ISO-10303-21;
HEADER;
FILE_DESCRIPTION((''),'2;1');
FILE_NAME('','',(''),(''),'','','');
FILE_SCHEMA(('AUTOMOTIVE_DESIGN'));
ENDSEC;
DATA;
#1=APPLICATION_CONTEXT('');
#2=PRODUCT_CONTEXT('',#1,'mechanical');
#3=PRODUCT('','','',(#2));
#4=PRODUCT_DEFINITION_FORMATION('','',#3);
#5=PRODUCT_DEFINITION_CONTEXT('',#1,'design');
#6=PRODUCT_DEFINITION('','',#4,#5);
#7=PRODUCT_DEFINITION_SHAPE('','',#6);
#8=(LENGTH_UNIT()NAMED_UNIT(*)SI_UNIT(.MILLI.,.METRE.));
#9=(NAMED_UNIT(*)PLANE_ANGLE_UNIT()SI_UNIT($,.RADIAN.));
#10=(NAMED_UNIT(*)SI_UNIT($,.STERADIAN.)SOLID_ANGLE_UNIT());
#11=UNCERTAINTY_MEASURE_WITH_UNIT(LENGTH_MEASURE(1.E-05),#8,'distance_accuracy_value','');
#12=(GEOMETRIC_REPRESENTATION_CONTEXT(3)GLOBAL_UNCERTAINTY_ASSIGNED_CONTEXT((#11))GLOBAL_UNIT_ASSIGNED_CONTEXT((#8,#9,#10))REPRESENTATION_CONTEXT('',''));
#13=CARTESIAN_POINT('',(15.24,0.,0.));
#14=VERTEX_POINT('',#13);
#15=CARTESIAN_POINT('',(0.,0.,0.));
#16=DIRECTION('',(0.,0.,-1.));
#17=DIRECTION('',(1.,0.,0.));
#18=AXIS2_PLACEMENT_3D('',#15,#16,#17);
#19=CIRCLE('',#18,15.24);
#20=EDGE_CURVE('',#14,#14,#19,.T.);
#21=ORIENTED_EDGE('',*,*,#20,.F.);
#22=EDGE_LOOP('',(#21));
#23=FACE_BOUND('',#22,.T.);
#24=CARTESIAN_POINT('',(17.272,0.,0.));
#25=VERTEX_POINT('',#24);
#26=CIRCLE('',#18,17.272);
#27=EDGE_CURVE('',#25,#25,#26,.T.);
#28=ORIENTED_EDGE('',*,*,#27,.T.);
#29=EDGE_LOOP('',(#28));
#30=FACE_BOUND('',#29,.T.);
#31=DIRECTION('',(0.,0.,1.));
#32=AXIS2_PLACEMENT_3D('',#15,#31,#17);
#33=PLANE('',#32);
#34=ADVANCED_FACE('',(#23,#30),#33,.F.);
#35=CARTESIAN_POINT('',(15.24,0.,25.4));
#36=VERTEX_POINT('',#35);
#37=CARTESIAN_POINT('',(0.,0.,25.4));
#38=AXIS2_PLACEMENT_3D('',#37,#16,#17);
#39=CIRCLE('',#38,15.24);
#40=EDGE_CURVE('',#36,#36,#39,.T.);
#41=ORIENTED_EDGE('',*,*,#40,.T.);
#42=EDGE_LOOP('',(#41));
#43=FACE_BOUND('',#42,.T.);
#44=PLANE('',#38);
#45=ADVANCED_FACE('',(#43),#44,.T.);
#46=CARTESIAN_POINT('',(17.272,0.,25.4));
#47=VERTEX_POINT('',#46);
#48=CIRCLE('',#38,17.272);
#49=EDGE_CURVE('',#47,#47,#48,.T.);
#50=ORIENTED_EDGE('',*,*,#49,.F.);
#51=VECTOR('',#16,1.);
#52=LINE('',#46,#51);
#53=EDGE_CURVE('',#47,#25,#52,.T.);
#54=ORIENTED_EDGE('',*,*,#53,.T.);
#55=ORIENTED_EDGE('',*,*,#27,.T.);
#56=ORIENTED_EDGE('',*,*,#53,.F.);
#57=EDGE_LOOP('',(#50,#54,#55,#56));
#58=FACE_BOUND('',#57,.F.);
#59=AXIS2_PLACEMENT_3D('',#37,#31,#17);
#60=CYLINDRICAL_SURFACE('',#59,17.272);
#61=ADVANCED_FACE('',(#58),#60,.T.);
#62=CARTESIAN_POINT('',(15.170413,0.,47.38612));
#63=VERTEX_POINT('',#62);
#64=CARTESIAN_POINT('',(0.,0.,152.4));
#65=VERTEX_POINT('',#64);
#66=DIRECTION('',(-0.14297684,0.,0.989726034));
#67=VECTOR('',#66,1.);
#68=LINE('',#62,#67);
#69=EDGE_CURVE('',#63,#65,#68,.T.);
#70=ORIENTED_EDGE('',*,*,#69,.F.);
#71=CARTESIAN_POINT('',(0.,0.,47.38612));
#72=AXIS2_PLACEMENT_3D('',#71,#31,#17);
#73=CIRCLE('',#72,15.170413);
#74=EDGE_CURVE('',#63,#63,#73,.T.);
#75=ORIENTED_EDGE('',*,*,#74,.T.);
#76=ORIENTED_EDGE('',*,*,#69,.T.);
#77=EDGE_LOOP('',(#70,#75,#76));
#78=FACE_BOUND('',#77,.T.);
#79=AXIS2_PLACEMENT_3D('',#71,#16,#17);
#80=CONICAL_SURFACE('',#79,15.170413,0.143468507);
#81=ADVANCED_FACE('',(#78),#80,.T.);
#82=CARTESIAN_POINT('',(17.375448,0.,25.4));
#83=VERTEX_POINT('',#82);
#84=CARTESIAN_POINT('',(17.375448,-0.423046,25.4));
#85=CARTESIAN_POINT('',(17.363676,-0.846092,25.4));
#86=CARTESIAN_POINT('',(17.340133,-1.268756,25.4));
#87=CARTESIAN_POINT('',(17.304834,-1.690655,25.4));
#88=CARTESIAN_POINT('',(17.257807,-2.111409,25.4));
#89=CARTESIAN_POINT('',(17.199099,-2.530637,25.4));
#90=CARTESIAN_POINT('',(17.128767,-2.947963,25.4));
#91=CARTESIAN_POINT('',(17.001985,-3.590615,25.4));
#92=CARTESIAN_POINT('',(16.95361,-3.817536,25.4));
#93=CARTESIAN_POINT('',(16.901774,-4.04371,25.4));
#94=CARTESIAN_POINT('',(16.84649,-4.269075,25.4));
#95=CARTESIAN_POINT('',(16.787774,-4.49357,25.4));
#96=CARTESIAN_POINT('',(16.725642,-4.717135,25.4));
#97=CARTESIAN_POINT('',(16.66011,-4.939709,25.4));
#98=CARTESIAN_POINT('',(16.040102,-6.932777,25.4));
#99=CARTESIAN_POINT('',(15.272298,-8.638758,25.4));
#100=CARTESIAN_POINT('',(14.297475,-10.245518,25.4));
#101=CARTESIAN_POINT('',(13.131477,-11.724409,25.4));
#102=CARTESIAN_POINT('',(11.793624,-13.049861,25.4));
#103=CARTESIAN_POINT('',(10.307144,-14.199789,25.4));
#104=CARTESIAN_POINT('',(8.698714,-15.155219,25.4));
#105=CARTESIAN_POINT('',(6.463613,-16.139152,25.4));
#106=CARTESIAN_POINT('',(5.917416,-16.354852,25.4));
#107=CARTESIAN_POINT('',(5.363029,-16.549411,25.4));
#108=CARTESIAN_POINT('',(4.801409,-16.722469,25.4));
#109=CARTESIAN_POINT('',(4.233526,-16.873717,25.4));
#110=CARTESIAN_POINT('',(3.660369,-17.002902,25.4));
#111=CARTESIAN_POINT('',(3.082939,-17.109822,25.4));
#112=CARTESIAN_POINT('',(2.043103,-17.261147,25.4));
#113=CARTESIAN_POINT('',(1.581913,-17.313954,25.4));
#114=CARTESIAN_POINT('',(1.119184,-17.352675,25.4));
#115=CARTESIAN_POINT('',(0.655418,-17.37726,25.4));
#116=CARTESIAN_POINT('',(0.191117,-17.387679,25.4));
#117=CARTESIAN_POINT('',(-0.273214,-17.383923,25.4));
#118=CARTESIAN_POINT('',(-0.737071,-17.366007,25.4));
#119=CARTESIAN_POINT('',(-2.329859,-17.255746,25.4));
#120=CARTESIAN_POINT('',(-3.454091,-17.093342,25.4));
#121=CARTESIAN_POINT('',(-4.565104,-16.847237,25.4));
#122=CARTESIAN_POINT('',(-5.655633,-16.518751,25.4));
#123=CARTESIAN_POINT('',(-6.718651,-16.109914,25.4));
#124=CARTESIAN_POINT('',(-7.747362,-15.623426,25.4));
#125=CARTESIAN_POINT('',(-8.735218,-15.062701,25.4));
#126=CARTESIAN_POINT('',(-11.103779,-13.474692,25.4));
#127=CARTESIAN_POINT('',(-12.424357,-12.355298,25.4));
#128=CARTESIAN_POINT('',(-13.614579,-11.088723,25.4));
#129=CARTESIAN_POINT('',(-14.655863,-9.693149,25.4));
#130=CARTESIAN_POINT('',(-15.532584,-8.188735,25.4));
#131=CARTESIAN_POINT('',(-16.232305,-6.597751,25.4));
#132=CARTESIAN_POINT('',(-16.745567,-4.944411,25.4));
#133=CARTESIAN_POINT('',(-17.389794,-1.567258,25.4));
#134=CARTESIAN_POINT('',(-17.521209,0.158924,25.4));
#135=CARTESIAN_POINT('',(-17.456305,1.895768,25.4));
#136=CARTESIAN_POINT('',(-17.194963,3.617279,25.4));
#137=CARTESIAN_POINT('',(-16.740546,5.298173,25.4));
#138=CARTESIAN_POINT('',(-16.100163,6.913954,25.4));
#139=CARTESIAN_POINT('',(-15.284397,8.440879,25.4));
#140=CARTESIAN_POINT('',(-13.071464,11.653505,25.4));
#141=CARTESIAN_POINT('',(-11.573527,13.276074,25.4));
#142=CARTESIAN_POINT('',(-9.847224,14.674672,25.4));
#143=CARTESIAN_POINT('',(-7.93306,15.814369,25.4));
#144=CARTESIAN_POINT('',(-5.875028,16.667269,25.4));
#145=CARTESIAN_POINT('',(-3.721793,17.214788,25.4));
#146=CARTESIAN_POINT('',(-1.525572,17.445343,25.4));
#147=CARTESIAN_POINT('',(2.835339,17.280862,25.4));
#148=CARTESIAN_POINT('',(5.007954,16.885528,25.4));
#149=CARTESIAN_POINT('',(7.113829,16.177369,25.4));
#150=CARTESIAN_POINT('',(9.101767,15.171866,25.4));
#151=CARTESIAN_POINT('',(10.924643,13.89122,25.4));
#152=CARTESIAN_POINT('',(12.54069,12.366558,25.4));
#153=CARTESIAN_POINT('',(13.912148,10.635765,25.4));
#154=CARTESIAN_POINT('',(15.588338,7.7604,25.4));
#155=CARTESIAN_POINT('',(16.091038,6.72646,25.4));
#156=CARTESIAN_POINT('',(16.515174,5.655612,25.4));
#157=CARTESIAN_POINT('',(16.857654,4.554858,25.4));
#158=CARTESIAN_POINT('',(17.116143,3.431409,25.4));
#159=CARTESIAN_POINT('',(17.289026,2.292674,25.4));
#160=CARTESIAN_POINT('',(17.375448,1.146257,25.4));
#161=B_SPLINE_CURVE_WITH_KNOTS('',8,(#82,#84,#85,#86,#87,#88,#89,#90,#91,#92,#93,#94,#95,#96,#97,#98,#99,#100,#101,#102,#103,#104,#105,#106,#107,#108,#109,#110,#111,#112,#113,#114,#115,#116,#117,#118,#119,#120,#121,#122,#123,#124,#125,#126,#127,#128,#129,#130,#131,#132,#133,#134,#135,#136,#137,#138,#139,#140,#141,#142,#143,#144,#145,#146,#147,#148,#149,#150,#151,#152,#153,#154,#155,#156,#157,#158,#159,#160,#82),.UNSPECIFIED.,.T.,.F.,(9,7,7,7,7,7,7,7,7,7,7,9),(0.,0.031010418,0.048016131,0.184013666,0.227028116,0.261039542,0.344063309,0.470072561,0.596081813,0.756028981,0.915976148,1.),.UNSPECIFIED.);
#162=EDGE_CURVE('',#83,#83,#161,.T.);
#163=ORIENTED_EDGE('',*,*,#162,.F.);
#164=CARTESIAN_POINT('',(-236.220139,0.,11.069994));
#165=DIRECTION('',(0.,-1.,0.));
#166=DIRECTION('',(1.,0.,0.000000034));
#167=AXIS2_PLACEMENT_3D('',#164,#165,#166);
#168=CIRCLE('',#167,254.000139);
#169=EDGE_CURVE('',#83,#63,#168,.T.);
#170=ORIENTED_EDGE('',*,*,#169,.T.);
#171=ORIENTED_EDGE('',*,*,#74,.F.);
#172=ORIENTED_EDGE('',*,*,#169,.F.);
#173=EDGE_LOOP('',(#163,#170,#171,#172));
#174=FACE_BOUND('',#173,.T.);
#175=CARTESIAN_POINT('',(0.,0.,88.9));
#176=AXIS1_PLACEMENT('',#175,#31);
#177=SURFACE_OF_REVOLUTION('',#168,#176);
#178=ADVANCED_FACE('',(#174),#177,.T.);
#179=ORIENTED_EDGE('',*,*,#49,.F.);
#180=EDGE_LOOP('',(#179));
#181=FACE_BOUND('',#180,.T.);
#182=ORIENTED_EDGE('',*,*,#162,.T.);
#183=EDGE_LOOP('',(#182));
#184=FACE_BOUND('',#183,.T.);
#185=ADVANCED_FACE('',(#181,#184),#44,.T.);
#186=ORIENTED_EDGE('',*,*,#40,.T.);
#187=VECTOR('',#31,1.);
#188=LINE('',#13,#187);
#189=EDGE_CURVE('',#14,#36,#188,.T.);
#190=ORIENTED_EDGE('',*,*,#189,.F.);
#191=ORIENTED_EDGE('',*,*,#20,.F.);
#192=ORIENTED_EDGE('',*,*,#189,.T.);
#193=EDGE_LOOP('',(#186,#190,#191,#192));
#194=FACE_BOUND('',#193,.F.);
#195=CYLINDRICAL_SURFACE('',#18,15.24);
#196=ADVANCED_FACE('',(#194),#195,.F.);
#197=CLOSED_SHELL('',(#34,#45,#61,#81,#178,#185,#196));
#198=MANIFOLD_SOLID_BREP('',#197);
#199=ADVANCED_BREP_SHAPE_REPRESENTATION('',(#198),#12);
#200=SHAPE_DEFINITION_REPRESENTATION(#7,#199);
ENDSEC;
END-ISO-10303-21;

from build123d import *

# Parameters (mm, degrees)
F2_R     = 15.24
F3_DEPTH = 25.4
F4_R     = 17.78
F4_R_2   = 17.272
F5_DEPTH = 25.4


with BuildPart() as f1:
    # F0 (on Front) → F1 (revolve)
    with BuildSketch(Plane.XZ):
        with BuildLine():
            Line((0, 0), (17.78, 0))
            Line((17.78, 0), (17.78, 11.070003))
            ThreePointArc((17.78, 11.070003), (17.126763, 29.27488), (15.170413, 47.38612))
            Line((15.170413, 47.38612), (0, 152.4))
            Line((0, 152.4), (0, 0))
        make_face()
    revolve(axis=Axis((0, 0, 88.9), (0, 0, 1)))

    # F2 (on face) → F3 (cut)
    with BuildSketch(Plane(origin=(0, 0, 0), x_dir=(1, 0, 0), z_dir=(0, 0, -1))):
        Circle(F2_R)
    extrude(amount=-F3_DEPTH, mode=Mode.SUBTRACT)

    # F4 (on face) → F5 (cut)
    with BuildSketch(Plane(origin=(0, 0, 25.4), x_dir=(1, 0, 0), z_dir=(0, 0, -1))):
        Circle(F4_R)
        Circle(F4_R_2, mode=Mode.SUBTRACT)
    extrude(amount=F5_DEPTH, mode=Mode.SUBTRACT)


solid = f1.part
